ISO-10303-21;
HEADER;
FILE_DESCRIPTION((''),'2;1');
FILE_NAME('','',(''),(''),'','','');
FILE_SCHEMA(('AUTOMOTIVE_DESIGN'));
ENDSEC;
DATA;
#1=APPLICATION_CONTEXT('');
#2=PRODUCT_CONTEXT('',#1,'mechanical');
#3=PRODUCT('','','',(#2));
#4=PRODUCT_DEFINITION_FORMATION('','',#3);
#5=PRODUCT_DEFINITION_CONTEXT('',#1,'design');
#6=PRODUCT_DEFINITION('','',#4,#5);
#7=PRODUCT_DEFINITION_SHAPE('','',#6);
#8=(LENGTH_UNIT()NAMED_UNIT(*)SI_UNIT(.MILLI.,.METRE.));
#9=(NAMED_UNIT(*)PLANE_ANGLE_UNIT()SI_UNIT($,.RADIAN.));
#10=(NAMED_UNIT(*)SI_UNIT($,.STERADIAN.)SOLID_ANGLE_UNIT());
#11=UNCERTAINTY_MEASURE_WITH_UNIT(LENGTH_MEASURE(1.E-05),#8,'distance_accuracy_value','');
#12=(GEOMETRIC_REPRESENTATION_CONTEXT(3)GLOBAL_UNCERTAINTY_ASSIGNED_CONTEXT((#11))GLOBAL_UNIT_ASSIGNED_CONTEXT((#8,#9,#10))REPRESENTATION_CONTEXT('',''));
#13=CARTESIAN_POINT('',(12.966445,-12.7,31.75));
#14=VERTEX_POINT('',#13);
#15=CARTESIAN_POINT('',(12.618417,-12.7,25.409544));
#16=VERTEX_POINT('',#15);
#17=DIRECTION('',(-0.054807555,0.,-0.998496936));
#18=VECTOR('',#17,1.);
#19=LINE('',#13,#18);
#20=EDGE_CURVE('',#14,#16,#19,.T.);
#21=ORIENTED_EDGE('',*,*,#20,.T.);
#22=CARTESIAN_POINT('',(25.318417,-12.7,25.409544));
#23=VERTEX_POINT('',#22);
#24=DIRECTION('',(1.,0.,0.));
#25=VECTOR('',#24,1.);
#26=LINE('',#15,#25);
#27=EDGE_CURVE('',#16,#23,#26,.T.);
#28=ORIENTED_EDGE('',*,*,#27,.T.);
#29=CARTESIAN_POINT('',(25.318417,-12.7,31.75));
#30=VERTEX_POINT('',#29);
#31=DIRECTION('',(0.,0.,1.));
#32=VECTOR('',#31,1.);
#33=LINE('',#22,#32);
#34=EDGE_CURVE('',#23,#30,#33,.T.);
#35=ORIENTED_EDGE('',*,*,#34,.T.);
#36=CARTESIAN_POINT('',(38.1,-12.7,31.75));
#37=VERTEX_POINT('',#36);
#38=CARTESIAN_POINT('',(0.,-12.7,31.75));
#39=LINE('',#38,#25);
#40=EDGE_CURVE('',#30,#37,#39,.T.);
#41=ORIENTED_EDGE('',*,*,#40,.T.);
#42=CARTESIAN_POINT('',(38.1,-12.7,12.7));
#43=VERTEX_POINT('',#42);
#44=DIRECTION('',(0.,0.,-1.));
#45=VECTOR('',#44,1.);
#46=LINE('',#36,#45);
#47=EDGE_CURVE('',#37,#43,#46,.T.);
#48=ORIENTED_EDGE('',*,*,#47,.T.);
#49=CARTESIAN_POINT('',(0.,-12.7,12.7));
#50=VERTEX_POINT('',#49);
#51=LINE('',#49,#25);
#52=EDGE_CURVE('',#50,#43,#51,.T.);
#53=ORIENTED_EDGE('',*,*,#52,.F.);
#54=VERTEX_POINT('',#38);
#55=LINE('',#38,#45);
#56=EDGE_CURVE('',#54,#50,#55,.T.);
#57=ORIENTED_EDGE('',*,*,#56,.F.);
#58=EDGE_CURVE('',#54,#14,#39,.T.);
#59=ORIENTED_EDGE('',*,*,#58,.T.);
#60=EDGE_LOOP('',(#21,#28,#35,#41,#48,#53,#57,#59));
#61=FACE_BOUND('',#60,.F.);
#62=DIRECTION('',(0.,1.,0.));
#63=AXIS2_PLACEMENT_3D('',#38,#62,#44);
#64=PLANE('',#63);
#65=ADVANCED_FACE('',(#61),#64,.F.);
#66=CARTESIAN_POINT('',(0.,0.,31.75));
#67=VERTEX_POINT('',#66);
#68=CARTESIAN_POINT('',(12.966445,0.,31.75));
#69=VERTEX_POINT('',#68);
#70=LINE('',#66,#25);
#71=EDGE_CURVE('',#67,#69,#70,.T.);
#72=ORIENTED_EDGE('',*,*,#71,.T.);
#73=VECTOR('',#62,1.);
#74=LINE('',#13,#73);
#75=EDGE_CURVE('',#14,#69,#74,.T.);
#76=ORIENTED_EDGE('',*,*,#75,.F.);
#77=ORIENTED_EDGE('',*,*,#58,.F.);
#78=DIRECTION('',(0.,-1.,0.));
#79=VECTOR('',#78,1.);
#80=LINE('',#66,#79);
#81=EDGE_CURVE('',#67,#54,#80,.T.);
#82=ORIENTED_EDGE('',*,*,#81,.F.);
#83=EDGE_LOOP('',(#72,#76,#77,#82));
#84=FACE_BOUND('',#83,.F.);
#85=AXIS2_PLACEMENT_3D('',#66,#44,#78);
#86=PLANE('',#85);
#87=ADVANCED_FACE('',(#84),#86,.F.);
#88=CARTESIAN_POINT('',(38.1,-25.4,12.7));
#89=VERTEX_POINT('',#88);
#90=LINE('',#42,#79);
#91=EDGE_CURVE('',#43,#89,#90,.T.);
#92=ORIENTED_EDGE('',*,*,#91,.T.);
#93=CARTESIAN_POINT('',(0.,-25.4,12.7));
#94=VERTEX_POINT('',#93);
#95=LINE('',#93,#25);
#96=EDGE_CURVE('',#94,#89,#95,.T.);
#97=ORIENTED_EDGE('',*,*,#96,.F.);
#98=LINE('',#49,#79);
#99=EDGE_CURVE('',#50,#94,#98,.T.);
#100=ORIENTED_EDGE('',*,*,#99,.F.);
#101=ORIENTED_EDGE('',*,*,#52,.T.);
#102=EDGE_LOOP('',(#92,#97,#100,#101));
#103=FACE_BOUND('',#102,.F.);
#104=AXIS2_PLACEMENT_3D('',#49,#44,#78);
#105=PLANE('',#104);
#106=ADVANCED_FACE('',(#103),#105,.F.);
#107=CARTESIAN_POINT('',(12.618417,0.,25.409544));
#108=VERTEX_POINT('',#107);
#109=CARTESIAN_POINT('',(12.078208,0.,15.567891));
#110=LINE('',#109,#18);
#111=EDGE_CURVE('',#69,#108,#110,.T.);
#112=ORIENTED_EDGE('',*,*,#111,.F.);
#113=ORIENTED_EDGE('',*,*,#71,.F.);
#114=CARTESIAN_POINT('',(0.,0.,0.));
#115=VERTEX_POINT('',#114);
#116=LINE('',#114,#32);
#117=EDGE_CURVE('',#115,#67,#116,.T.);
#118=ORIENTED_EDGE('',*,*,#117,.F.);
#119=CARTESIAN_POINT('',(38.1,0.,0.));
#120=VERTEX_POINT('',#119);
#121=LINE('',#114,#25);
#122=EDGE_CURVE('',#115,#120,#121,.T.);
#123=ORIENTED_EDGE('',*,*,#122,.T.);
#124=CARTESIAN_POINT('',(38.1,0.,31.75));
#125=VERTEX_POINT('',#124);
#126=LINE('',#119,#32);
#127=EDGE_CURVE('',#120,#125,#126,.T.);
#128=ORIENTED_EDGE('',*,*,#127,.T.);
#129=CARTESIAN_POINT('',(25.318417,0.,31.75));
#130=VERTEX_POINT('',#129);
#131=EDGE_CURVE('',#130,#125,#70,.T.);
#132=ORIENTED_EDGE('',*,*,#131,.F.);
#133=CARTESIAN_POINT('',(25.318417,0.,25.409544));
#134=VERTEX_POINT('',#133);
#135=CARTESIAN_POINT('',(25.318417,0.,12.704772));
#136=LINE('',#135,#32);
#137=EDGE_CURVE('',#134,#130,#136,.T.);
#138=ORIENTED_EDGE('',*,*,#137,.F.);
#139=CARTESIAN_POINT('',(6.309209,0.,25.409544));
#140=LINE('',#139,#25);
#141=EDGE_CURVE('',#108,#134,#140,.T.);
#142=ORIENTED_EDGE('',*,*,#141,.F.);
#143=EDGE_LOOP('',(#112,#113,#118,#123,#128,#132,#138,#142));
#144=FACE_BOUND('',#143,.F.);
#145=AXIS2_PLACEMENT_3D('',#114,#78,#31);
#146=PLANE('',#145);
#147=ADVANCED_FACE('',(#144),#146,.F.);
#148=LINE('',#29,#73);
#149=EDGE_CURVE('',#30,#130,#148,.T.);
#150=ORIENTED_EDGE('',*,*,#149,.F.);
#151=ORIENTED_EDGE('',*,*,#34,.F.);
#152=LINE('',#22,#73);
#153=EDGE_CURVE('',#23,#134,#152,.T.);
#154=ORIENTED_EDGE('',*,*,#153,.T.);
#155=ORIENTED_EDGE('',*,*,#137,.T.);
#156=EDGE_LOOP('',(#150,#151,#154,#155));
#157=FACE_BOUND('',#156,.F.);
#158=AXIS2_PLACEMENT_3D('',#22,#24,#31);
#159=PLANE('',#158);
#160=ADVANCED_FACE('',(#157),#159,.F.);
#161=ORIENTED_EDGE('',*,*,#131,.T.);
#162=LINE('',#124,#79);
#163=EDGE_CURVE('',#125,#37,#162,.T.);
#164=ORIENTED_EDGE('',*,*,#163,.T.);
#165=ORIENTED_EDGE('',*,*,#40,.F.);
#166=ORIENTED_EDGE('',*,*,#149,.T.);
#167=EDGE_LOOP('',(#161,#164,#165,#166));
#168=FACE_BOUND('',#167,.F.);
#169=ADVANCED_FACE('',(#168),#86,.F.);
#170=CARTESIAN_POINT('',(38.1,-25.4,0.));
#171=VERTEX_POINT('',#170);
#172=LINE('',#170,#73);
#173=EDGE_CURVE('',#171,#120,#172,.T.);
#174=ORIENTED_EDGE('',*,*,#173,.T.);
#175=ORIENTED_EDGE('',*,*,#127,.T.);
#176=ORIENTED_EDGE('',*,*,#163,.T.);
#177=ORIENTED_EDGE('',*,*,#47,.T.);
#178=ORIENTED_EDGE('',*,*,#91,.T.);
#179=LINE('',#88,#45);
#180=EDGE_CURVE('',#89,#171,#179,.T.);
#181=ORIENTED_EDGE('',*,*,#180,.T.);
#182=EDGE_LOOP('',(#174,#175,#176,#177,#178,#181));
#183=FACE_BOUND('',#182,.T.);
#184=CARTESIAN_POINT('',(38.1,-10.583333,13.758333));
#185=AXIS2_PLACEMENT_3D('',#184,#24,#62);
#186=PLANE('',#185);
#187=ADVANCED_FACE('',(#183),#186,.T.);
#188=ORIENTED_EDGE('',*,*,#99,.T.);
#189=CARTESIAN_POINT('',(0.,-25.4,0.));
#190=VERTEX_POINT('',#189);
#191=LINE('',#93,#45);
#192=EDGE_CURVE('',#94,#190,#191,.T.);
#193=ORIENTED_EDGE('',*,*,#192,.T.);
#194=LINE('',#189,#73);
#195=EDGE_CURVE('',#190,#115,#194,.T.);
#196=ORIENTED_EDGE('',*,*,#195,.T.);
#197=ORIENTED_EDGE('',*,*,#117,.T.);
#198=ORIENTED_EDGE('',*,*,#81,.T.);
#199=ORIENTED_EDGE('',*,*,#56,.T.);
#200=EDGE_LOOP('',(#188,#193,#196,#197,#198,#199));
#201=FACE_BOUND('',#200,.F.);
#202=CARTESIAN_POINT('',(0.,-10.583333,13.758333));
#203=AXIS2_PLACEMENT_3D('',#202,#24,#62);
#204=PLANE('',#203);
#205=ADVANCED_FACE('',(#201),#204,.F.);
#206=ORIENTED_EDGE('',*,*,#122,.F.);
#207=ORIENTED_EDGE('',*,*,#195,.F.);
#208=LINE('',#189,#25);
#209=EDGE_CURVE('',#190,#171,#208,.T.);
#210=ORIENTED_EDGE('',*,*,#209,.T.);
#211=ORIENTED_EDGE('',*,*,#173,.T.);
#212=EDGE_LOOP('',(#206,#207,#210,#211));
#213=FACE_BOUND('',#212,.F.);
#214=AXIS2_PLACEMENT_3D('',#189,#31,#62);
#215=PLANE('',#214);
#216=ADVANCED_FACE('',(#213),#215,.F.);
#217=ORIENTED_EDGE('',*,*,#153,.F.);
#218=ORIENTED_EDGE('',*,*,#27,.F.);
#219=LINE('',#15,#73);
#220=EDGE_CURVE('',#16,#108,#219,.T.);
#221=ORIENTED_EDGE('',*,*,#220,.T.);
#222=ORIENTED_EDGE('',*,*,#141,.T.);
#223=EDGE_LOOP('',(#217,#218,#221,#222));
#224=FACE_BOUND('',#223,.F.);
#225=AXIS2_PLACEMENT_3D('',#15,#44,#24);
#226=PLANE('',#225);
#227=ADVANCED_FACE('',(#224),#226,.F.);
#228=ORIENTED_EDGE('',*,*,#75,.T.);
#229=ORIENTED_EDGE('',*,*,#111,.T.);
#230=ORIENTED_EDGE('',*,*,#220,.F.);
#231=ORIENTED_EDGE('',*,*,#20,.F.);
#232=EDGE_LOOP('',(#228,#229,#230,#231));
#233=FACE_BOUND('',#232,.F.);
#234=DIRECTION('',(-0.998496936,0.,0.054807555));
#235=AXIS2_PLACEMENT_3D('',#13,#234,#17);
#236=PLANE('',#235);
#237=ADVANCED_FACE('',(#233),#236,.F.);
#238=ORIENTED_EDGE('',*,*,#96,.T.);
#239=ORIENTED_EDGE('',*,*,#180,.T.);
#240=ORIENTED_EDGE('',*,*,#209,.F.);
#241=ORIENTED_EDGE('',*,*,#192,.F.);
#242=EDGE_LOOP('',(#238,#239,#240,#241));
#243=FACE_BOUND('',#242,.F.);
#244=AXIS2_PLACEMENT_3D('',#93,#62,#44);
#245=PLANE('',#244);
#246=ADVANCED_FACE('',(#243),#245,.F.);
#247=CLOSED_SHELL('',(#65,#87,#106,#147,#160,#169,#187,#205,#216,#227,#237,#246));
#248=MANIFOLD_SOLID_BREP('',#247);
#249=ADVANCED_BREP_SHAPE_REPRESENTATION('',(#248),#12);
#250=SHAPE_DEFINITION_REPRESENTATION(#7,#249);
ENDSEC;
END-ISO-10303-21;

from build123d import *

# Parameters (mm, degrees)
F1_DEPTH = 38.1
F3_DEPTH = 12.701


with BuildPart() as f1:
    # F0 (on Right) → F1 (new body)
    with BuildSketch(Plane.YZ):
        Polygon((0, 0), (0, 31.75), (-12.7, 31.75), (-12.7, 12.7), (-25.4, 12.7), (-25.4, 0), align=None)
    extrude(amount=F1_DEPTH)

    # F2 (on face) → F3 (cut, through all)
    with BuildSketch(Plane.XZ.offset(12.7)):
        Polygon((25.318417, 31.75), (12.966445, 31.75), (12.618417, 25.409544), (25.318417, 25.409544), align=None)
    extrude(amount=-F3_DEPTH, mode=Mode.SUBTRACT)


solid = f1.part
